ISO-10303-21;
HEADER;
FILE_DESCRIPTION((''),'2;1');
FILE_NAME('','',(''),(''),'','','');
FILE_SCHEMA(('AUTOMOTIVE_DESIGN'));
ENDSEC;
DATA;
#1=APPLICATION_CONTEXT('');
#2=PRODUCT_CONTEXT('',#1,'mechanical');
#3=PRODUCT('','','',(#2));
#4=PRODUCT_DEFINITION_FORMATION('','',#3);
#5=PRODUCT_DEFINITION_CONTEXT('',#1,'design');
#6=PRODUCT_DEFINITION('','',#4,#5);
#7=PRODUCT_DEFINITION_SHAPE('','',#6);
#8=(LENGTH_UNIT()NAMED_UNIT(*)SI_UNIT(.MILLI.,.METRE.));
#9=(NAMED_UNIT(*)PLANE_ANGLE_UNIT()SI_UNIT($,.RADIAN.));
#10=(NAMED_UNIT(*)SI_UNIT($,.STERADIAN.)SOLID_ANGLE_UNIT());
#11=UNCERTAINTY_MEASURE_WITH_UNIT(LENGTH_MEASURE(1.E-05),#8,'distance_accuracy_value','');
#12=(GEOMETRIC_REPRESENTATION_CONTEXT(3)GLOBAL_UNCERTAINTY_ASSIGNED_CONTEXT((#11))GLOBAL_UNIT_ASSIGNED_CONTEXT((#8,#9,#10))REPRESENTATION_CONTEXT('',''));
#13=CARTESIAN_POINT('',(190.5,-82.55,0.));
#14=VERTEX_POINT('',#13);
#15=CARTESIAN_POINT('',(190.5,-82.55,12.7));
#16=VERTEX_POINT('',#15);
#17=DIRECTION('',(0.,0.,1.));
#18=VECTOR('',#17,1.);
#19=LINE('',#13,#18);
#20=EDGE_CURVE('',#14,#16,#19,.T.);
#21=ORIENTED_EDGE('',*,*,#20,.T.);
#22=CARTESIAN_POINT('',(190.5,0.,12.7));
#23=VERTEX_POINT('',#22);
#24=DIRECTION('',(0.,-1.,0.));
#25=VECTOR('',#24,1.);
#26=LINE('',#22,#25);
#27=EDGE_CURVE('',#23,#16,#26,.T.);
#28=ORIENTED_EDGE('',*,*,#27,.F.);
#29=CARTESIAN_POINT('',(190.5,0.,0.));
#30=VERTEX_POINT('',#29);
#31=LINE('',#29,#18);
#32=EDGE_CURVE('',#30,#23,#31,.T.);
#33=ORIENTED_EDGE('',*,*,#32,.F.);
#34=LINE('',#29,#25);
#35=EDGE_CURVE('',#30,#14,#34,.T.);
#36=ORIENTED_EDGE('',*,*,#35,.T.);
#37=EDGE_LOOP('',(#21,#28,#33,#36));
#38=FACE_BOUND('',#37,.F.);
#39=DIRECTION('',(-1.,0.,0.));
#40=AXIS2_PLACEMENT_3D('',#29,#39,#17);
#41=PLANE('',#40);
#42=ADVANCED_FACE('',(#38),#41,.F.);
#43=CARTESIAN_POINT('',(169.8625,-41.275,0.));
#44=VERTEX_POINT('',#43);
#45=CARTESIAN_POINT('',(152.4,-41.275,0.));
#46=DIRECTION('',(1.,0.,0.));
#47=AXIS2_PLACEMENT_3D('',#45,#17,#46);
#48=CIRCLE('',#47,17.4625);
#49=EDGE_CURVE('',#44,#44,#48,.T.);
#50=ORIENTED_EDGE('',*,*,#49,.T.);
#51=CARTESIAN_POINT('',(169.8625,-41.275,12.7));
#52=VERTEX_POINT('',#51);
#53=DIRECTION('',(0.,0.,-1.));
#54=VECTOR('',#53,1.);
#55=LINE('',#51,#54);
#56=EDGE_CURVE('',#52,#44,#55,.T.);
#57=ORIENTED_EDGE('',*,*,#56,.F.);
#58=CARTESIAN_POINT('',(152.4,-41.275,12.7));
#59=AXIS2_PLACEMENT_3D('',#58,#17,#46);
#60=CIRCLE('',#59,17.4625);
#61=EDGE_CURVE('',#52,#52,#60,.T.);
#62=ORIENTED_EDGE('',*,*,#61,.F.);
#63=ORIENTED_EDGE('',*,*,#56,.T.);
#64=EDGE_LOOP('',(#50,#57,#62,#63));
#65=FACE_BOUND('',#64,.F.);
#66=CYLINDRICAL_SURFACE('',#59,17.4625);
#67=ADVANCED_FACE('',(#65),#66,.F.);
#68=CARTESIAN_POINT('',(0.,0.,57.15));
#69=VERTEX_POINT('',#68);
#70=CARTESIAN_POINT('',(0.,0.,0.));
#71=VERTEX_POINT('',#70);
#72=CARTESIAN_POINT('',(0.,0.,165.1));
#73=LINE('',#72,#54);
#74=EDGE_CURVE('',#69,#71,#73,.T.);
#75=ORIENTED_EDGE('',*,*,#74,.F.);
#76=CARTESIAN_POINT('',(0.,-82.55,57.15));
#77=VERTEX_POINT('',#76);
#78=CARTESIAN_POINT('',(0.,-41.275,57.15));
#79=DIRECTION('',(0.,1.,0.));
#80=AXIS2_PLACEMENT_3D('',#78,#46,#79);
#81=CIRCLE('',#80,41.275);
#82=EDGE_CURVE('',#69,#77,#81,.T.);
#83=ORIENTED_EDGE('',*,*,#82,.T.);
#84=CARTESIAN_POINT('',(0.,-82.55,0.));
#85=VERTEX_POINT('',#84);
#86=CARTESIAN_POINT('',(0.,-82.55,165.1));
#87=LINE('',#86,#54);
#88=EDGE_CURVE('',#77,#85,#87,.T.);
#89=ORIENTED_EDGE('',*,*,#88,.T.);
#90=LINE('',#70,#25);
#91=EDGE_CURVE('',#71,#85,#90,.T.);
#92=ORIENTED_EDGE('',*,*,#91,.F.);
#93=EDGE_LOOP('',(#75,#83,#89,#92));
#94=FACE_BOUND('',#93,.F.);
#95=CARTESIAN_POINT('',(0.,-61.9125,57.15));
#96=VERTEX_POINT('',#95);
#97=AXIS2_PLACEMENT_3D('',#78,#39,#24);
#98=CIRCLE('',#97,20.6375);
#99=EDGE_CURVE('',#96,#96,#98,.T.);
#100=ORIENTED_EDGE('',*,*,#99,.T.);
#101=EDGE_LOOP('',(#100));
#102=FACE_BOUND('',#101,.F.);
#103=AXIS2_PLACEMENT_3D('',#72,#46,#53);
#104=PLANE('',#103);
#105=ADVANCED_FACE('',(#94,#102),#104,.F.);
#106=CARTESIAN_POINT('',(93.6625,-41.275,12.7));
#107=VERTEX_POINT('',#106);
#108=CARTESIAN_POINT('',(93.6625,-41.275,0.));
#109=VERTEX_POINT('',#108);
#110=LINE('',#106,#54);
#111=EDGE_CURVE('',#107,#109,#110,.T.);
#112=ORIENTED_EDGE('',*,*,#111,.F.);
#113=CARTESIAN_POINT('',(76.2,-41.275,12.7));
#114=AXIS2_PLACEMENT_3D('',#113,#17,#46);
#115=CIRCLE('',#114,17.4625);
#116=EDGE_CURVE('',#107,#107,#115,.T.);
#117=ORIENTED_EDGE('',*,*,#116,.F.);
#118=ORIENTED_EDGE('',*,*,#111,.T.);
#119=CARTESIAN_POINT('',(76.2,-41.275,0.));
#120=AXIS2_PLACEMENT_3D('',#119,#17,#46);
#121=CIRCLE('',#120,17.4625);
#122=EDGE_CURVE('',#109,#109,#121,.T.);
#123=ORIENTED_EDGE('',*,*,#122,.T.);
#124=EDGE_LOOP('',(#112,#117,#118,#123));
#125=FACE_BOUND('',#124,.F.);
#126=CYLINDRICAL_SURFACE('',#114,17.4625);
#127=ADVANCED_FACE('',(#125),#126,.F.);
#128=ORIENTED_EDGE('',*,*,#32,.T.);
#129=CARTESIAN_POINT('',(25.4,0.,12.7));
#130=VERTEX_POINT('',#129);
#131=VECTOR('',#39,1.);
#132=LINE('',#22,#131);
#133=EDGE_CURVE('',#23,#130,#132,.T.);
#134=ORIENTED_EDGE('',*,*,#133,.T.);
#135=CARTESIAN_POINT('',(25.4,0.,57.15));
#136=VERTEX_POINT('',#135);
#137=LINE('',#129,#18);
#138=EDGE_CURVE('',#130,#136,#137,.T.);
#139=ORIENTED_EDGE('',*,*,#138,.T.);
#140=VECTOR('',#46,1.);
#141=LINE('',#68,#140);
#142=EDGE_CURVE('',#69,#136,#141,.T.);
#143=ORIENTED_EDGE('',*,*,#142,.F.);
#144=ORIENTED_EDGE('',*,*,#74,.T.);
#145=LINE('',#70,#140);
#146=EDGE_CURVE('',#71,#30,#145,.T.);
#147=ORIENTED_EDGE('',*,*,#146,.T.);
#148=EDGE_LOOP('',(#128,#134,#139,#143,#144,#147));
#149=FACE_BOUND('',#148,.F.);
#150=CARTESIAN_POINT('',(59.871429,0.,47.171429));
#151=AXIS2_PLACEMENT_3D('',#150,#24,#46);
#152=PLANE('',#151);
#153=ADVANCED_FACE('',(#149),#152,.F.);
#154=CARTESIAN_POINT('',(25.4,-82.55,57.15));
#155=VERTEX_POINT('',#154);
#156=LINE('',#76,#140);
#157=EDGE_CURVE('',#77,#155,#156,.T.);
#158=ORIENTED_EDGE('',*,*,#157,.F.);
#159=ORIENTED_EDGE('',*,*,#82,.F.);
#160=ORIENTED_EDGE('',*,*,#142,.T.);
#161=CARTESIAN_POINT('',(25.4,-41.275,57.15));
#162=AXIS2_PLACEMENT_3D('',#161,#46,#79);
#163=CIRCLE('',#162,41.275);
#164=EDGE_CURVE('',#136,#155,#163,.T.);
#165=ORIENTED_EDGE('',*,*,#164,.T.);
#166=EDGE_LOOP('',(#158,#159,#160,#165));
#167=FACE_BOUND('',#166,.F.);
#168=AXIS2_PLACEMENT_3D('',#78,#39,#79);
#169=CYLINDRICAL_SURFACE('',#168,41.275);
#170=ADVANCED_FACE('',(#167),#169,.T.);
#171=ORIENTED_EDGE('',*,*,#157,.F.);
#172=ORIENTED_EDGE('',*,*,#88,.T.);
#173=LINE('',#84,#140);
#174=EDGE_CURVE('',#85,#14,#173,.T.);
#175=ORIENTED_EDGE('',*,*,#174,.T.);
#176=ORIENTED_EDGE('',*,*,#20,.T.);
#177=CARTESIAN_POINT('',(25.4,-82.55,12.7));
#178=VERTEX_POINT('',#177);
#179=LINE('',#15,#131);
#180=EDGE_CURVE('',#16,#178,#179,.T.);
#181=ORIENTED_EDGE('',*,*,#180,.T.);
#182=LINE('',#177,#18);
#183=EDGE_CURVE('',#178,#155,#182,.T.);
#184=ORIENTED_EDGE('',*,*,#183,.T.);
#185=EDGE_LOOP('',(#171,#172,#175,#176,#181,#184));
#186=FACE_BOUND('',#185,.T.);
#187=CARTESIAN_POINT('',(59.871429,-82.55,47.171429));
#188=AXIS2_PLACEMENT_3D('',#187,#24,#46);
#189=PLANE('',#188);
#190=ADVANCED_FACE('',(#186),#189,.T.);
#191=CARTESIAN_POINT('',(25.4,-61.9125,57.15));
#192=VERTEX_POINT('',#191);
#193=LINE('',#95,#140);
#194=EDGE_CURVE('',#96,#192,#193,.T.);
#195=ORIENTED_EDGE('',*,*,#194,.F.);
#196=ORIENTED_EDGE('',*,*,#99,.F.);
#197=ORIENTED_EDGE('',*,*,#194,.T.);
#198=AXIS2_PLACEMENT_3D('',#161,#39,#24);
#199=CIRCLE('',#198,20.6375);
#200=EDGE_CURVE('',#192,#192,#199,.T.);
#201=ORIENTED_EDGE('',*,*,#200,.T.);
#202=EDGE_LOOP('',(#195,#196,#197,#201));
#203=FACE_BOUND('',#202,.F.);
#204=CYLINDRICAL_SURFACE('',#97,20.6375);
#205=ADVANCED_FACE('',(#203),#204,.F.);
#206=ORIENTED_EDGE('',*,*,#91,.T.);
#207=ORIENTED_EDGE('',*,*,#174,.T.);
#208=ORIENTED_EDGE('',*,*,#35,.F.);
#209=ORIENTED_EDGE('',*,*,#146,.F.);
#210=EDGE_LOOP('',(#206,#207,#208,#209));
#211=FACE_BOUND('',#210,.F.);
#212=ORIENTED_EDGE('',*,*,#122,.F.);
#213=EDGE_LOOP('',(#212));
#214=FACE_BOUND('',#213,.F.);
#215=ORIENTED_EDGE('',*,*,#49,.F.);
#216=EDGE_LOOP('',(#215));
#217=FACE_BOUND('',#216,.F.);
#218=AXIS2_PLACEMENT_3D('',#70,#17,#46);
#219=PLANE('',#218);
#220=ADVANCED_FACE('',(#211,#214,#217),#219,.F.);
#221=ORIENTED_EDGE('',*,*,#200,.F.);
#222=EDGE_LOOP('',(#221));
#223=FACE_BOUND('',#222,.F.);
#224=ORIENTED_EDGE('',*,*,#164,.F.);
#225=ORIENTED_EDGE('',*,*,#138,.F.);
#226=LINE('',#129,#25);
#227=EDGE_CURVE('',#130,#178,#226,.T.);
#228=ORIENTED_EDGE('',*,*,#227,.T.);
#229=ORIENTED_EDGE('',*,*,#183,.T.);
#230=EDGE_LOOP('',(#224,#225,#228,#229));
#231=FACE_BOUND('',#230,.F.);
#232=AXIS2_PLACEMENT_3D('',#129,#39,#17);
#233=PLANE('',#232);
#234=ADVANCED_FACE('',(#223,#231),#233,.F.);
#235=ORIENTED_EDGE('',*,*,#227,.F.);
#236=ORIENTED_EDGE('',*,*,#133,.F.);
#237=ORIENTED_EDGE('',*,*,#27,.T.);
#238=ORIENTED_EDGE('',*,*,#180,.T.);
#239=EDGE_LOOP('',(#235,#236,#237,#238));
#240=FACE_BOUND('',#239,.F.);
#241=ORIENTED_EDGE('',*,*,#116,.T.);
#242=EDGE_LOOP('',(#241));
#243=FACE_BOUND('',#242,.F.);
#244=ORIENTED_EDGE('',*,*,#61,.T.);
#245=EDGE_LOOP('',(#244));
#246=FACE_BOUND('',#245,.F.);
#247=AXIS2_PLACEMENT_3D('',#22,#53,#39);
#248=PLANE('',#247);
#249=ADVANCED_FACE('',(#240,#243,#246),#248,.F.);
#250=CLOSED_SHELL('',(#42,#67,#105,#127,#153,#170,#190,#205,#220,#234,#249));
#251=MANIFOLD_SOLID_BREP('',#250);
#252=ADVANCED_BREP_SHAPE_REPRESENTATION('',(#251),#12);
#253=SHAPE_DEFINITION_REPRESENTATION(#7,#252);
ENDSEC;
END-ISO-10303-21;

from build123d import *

# Parameters (mm, degrees)
F1_DEPTH = 82.55
F3_DEPTH = 25.4
F4_R     = 20.6375
F5_DEPTH = 25.4
F6_R     = 17.4625
F7_DEPTH = 12.7


with BuildPart() as f1:
    # F0 (on Front) → F1 (new body)
    with BuildSketch(Plane.XZ):
        Polygon((0, 165.1), (0, 0), (190.5, 0), (190.5, 12.7), (25.4, 12.7), (25.4, 165.1), align=None)
    extrude(amount=F1_DEPTH)

    # F2 (on face) → F3 (cut, through all)
    with BuildSketch(Plane(origin=(0, 0, 0), x_dir=(0, -1, 0), z_dir=(-1, 0, 0))):
        with BuildLine():
            ThreePointArc((0, 57.15), (41.275, 98.425), (82.55, 57.15))
            Line((82.55, 57.15), (82.55, 165.1))
            Line((82.55, 165.1), (0, 165.1))
            Line((0, 165.1), (0, 57.15))
        make_face()
    extrude(amount=-F3_DEPTH, mode=Mode.SUBTRACT)

    # F4 (on face) → F5 (cut, through all)
    with BuildSketch(Plane(origin=(0, 0, 0), x_dir=(0, -1, 0), z_dir=(-1, 0, 0))):
        with Locations((41.275, 57.15)):
            Circle(F4_R)
    extrude(amount=-F5_DEPTH, mode=Mode.SUBTRACT)

    # F6 (on face) → F7 (cut, through all)
    with BuildSketch(Plane.XY.offset(12.7)):
        with Locations((76.2, -41.275)):
            Circle(F6_R)
        with Locations((152.4, -41.275)):
            Circle(F6_R)
    extrude(amount=-F7_DEPTH, mode=Mode.SUBTRACT)


solid = f1.part
